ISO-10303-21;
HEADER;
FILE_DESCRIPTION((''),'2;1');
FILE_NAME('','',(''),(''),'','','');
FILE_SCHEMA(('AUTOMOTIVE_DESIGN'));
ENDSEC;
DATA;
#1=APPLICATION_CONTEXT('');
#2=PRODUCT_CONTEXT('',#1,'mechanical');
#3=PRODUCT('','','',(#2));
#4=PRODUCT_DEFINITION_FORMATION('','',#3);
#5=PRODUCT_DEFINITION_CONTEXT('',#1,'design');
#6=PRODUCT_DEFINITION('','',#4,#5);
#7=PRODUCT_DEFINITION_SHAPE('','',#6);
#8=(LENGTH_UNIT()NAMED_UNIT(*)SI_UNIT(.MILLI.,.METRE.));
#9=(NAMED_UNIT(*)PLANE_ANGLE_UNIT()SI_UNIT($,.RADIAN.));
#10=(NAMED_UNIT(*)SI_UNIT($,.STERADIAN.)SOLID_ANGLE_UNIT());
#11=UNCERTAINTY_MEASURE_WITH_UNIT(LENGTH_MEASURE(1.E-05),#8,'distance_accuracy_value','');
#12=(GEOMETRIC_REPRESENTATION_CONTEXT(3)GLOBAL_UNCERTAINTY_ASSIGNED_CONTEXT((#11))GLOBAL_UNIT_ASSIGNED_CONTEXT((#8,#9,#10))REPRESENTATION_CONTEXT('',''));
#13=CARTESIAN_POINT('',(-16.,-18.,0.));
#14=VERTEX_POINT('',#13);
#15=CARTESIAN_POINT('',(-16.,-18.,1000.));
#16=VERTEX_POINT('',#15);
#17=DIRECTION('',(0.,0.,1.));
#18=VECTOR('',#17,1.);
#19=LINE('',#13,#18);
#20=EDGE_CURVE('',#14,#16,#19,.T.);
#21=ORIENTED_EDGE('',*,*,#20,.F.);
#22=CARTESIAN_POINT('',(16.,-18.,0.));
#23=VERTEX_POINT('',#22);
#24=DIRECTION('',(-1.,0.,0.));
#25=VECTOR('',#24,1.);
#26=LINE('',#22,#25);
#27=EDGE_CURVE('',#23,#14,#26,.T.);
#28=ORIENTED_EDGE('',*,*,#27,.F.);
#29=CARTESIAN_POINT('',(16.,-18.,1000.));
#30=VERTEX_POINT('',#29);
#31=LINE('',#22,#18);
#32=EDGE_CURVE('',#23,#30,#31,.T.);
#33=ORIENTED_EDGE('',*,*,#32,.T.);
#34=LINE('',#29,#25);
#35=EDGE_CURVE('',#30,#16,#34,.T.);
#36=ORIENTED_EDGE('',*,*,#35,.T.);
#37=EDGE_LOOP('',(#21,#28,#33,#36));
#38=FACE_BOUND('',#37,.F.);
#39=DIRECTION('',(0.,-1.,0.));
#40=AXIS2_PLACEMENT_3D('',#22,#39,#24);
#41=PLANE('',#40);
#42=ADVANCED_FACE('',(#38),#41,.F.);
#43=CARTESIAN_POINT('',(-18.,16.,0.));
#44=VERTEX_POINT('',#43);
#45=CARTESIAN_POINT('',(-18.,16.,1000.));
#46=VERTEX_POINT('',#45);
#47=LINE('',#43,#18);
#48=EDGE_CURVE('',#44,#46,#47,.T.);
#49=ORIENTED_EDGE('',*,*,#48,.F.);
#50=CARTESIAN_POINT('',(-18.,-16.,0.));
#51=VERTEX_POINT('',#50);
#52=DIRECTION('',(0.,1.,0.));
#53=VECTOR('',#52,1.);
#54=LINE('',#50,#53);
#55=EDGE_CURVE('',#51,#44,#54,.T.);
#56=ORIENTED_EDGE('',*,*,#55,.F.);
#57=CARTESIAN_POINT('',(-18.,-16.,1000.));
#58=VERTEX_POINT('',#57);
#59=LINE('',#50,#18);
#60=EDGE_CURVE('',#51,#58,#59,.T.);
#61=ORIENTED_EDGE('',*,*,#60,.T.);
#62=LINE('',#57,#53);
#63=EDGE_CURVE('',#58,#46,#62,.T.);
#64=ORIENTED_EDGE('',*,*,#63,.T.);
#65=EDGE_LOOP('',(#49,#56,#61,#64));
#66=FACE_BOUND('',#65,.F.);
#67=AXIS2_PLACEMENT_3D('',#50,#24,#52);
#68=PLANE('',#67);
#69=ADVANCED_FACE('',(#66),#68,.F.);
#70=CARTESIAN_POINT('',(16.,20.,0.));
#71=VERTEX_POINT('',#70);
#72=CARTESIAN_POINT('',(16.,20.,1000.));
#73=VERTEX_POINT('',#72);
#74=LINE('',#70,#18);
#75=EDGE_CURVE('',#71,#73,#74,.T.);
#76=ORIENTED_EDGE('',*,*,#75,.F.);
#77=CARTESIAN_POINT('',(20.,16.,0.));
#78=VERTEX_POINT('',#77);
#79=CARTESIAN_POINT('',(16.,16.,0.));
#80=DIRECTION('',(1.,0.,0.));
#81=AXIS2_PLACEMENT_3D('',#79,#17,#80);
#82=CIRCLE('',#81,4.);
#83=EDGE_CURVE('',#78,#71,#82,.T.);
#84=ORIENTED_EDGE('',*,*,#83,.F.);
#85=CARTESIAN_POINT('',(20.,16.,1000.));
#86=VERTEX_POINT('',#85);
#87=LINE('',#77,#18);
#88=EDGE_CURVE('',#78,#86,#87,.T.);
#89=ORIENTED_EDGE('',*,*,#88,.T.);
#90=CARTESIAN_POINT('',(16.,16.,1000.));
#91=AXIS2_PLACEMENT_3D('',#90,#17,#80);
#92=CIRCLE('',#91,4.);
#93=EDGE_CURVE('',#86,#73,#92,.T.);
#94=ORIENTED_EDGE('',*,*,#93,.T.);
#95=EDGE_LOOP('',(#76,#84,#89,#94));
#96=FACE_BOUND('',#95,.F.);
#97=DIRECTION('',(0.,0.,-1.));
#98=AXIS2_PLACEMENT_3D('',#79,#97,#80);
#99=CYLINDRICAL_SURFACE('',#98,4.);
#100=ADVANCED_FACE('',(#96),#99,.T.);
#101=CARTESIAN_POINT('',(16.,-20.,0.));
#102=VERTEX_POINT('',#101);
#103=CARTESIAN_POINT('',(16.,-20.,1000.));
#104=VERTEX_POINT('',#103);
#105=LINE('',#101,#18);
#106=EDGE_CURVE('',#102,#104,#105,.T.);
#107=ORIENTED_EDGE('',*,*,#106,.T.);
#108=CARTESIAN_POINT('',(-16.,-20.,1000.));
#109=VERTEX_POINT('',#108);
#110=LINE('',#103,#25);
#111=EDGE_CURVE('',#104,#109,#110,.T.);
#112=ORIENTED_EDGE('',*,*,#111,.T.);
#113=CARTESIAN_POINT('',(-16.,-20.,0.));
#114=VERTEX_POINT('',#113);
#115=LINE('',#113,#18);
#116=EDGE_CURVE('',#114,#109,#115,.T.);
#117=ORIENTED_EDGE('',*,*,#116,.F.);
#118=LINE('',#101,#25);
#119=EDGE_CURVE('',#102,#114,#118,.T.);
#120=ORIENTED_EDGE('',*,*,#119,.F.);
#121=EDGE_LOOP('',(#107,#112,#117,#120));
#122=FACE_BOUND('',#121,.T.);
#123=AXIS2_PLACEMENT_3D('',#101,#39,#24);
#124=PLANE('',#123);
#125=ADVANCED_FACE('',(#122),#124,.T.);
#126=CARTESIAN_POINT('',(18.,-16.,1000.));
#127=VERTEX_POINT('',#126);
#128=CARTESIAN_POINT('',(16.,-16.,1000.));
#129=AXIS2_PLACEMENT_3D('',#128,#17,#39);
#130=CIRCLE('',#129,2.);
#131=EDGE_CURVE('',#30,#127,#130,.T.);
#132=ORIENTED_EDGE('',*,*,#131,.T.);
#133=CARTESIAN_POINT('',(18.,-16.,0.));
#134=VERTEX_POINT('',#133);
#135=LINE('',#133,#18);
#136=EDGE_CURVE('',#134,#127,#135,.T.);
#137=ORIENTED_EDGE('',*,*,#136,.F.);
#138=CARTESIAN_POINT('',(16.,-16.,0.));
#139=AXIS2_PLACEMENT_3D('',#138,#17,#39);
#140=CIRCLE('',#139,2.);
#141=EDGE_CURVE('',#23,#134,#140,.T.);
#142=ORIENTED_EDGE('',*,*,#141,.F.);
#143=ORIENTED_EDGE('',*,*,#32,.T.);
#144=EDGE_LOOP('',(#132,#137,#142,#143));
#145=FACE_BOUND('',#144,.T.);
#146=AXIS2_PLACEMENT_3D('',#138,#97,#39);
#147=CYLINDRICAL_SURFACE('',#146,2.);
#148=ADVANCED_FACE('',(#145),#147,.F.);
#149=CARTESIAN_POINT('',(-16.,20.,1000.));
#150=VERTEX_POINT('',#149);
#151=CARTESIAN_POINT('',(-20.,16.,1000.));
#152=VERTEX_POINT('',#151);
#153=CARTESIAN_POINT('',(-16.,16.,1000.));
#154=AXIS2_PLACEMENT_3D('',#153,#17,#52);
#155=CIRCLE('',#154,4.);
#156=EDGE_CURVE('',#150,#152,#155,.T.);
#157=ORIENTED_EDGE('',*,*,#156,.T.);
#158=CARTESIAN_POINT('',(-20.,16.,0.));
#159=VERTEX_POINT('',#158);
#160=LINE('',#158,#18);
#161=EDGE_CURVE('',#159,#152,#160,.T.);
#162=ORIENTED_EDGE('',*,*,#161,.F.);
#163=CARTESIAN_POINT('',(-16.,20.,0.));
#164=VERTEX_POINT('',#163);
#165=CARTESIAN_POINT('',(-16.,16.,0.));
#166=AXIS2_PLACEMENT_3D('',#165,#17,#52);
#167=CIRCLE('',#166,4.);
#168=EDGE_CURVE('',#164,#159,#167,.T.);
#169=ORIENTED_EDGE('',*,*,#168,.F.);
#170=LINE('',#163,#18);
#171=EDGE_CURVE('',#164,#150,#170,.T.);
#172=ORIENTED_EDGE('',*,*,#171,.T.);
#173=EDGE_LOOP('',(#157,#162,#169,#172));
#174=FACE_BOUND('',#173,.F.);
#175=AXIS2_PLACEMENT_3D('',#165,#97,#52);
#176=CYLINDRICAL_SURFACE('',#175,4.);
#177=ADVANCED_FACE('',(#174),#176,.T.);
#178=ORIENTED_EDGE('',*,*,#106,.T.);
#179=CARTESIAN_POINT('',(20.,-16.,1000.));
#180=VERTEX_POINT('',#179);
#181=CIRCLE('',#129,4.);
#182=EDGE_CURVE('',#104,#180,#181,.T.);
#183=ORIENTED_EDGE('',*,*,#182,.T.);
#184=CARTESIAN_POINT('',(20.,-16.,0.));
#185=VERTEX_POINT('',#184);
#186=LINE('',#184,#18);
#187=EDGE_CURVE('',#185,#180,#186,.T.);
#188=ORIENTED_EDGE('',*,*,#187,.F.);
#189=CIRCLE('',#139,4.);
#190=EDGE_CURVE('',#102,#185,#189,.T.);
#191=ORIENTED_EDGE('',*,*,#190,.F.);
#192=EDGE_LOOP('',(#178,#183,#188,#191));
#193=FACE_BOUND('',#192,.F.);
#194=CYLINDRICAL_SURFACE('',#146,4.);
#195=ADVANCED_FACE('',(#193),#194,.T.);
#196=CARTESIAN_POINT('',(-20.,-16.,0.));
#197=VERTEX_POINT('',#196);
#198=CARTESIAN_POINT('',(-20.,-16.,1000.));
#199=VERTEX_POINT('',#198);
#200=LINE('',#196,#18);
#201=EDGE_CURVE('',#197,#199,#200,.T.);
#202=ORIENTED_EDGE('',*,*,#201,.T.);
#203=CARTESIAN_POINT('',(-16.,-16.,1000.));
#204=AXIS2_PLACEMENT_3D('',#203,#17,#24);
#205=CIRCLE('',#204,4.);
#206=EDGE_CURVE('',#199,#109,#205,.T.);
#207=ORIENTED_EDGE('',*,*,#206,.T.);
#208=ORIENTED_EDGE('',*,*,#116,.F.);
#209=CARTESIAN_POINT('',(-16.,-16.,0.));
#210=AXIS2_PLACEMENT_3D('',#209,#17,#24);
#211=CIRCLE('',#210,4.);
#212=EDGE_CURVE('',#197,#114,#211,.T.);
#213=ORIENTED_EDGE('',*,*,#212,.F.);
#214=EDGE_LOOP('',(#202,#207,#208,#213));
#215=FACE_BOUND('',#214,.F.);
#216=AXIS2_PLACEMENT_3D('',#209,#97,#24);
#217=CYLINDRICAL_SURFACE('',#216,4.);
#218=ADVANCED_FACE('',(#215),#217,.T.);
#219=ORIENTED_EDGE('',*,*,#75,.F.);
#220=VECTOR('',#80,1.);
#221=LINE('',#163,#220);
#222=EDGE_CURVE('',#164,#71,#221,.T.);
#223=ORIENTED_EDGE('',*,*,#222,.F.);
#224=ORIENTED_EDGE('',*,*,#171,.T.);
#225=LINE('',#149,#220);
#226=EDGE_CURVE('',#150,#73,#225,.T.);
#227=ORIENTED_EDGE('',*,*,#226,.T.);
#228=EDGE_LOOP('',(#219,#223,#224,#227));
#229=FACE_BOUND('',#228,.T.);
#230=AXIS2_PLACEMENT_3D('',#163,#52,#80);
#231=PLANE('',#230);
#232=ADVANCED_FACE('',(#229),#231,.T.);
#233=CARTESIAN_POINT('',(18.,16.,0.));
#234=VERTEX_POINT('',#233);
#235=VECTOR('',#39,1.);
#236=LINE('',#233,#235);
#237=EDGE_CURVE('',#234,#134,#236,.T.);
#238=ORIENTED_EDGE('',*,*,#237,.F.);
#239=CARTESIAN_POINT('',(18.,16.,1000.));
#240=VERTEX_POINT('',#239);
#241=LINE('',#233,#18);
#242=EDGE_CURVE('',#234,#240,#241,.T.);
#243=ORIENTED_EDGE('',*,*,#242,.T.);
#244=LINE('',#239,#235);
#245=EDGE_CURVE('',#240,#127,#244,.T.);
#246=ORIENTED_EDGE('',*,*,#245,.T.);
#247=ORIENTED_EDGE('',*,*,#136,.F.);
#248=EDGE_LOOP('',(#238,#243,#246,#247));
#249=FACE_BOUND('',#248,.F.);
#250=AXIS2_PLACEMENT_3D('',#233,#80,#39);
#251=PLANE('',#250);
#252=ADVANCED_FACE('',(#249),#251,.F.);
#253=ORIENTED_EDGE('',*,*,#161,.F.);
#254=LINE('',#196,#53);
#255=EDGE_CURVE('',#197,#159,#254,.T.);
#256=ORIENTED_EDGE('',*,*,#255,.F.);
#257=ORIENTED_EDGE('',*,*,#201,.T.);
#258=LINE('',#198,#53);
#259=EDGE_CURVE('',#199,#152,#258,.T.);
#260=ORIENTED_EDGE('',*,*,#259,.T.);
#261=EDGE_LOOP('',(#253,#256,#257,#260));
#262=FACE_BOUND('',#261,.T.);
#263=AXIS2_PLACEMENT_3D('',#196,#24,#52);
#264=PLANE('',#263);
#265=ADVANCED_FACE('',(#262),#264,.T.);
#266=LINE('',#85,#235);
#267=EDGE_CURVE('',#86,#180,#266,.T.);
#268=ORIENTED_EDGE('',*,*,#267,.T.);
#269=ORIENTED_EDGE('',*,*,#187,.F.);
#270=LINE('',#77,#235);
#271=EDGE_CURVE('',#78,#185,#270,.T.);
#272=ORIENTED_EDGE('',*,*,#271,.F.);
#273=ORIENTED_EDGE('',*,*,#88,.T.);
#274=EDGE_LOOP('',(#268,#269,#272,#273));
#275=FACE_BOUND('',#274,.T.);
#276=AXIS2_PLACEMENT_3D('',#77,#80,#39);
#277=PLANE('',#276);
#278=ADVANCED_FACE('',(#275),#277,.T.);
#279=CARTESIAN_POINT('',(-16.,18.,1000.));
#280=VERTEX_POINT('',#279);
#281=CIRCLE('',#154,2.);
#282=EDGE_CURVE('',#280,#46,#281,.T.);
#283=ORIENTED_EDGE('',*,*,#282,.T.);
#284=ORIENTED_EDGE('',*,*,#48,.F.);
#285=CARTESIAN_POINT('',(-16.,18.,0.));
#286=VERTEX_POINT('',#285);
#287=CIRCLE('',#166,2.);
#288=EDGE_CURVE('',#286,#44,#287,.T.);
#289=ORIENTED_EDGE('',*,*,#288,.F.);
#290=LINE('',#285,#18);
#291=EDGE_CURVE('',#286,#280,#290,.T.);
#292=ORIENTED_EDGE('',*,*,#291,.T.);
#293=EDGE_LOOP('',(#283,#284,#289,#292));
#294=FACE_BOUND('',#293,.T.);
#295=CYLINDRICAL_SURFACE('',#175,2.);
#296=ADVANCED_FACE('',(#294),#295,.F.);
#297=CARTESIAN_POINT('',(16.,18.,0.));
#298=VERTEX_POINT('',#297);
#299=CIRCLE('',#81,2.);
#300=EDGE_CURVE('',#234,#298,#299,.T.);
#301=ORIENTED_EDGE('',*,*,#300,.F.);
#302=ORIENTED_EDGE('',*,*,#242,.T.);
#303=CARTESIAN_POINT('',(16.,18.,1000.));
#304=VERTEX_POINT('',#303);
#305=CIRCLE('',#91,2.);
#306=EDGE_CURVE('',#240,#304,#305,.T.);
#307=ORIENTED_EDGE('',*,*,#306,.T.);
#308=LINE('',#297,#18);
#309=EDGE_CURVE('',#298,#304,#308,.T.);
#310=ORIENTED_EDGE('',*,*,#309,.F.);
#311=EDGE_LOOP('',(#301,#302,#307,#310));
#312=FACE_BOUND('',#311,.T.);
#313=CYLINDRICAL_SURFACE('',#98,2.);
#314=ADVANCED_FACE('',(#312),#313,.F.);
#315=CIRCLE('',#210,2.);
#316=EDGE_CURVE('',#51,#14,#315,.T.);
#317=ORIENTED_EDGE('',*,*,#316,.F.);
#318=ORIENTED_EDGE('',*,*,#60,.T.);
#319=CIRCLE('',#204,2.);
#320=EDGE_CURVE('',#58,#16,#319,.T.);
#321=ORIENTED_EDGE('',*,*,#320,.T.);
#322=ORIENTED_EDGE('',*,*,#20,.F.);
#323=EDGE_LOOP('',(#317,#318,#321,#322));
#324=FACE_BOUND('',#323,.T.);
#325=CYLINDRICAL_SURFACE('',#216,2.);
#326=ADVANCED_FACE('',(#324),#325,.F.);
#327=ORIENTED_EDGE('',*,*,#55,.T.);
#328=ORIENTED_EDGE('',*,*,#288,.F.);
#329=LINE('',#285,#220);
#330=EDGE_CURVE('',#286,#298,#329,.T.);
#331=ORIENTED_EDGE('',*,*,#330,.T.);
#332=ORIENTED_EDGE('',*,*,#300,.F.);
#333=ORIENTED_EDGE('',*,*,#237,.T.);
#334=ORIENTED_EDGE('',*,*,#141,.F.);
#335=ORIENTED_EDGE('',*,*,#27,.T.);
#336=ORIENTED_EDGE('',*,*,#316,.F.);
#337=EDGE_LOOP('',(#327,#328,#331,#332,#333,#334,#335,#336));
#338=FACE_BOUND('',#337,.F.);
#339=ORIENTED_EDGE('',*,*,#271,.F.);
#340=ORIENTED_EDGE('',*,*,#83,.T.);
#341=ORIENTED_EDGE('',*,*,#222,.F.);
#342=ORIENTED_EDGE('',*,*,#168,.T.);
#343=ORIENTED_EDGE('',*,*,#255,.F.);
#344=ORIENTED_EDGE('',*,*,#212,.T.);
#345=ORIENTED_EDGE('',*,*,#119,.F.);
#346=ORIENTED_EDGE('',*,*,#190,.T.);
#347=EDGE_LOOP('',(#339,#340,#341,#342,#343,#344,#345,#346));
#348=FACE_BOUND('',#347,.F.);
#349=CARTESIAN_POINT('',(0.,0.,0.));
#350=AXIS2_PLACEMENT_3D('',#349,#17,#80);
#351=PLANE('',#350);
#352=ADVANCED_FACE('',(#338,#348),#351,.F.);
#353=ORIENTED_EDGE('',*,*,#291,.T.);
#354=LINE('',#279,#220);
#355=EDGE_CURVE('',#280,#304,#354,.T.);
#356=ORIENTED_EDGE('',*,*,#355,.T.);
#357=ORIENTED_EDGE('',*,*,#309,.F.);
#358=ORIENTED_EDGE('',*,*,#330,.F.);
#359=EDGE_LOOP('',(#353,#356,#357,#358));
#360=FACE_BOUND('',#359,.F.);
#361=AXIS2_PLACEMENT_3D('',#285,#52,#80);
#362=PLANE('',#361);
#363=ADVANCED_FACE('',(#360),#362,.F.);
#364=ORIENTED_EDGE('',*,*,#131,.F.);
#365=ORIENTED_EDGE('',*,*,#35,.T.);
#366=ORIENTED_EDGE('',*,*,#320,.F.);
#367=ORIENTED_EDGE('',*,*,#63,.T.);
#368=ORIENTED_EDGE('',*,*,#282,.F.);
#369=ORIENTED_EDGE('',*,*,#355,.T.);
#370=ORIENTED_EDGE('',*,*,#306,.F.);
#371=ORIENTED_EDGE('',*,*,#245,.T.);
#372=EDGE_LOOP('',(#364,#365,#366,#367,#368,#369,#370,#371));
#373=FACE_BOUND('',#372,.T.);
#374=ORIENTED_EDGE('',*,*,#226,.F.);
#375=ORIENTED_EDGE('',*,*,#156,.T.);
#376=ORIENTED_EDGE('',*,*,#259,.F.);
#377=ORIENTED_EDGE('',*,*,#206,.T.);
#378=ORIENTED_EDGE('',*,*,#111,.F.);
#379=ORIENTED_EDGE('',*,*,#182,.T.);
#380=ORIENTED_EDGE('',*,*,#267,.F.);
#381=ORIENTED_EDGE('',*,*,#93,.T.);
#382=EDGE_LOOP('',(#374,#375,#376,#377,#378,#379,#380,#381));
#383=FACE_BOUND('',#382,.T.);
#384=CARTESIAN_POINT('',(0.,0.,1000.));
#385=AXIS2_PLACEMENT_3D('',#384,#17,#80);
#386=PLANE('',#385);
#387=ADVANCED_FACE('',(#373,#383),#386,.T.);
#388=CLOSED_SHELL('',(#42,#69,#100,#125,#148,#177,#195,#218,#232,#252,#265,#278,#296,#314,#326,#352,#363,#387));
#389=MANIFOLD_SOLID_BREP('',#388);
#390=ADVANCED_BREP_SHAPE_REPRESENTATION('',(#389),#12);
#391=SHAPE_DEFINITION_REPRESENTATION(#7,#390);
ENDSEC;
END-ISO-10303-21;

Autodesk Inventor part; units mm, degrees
ref_plane "YZ Plane" through (0, 0, 0) normal (1, 0, 0) x (0, 1, 0)
ref_plane "Start plane" through (0, 0, 0) normal (0, 0, 1) x (1, 0, 0)
ref_plane "End plane" through (0, 0, 1000) normal (0, 0, 1) x (1, 0, 0)
sketch "Sketch" plane through (0, 0, 0) normal (0, 0, 1) x (1, 0, 0)
  line L0 (-20, -16) -> (-20, 16)
  line L1 (-16, 20) -> (16, 20)
  line L2 (20, 16) -> (20, -16)
  line L3 (16, -20) -> (-16, -20)
  arc A0 (-20, -16) -> (-16, -20) centre (-16, -16) ccw
  arc A1 (20, 16) -> (16, 20) centre (16, 16) ccw
  arc A2 (-16, 20) -> (-20, 16) centre (-16, 16) ccw
  arc A3 (16, -20) -> (20, -16) centre (16, -16) ccw
  arc A4 (-16, 18) -> (-18, 16) centre (-16, 16) ccw
  line L4 (-16, 18) -> (16, 18)
  arc A5 (18, 16) -> (16, 18) centre (16, 16) ccw
  line L5 (18, 16) -> (18, -16)
  arc A6 (16, -18) -> (18, -16) centre (16, -16) ccw
  line L6 (16, -18) -> (-16, -18)
  arc A7 (-18, -16) -> (-16, -18) centre (-16, -16) ccw
  line L7 (-18, -16) -> (-18, 16)
  line L8 (0, 37.1021) -> (0, -37.1021) construction
  line L9 (-23.1021, 0) -> (23.1021, 0) construction
  dimension "d7" = 4
  dimension "d9" = 40
  dimension "d11" = 40
  dimension "d12" = 2
  dimension "d15" = 20
  dimension "d16" = 20
extrude "Body" add sketch "Sketch" along normal up to surface (1000 mm away) from surface at 0
sketch "Sketch3" plane through (0, 0, 0) normal (0, 0, 1) x (1, 0, 0)
  line L0 (0, 0) -> (10, 0)
ref_plane "Work Plane3" through (0, 0, 0) normal (0, -1, 0) x (1, 0, 0)
sketch "Sketch4" plane through (0, 0, 0) normal (0, -1, 0) x (1, 0, 0)
  line L0 (-2, 0) -> (12, 0) projected
  line L1 (-2, 1000) -> (12, 1000) projected
  dimension "d18" = 1000
equation "\"d7\" = G_IR"
equation "\"d9\" = G_W"
equation "\"d11\" = G_H"
equation "\"d12\" = G_T"
equation "\"d15\" = 0.5 * d9"
equation "\"d16\" = 0.5 * d11"
equation "\"d3\" = G_L"
equation "\"G_W\" = 40"
equation "\"G_H\" = 40"
equation "\"G_T\" = 2"
equation "\"G_IR\" = 4"
equation "\"G_L\" = d18"
equation "\"G_OFFSET_START\" = 0"
equation "\"G_OFFSET_END\" = 0"
properties part number "ISO 10799-2 - 40x40x2 - 1000" material "Steel, Mild"
